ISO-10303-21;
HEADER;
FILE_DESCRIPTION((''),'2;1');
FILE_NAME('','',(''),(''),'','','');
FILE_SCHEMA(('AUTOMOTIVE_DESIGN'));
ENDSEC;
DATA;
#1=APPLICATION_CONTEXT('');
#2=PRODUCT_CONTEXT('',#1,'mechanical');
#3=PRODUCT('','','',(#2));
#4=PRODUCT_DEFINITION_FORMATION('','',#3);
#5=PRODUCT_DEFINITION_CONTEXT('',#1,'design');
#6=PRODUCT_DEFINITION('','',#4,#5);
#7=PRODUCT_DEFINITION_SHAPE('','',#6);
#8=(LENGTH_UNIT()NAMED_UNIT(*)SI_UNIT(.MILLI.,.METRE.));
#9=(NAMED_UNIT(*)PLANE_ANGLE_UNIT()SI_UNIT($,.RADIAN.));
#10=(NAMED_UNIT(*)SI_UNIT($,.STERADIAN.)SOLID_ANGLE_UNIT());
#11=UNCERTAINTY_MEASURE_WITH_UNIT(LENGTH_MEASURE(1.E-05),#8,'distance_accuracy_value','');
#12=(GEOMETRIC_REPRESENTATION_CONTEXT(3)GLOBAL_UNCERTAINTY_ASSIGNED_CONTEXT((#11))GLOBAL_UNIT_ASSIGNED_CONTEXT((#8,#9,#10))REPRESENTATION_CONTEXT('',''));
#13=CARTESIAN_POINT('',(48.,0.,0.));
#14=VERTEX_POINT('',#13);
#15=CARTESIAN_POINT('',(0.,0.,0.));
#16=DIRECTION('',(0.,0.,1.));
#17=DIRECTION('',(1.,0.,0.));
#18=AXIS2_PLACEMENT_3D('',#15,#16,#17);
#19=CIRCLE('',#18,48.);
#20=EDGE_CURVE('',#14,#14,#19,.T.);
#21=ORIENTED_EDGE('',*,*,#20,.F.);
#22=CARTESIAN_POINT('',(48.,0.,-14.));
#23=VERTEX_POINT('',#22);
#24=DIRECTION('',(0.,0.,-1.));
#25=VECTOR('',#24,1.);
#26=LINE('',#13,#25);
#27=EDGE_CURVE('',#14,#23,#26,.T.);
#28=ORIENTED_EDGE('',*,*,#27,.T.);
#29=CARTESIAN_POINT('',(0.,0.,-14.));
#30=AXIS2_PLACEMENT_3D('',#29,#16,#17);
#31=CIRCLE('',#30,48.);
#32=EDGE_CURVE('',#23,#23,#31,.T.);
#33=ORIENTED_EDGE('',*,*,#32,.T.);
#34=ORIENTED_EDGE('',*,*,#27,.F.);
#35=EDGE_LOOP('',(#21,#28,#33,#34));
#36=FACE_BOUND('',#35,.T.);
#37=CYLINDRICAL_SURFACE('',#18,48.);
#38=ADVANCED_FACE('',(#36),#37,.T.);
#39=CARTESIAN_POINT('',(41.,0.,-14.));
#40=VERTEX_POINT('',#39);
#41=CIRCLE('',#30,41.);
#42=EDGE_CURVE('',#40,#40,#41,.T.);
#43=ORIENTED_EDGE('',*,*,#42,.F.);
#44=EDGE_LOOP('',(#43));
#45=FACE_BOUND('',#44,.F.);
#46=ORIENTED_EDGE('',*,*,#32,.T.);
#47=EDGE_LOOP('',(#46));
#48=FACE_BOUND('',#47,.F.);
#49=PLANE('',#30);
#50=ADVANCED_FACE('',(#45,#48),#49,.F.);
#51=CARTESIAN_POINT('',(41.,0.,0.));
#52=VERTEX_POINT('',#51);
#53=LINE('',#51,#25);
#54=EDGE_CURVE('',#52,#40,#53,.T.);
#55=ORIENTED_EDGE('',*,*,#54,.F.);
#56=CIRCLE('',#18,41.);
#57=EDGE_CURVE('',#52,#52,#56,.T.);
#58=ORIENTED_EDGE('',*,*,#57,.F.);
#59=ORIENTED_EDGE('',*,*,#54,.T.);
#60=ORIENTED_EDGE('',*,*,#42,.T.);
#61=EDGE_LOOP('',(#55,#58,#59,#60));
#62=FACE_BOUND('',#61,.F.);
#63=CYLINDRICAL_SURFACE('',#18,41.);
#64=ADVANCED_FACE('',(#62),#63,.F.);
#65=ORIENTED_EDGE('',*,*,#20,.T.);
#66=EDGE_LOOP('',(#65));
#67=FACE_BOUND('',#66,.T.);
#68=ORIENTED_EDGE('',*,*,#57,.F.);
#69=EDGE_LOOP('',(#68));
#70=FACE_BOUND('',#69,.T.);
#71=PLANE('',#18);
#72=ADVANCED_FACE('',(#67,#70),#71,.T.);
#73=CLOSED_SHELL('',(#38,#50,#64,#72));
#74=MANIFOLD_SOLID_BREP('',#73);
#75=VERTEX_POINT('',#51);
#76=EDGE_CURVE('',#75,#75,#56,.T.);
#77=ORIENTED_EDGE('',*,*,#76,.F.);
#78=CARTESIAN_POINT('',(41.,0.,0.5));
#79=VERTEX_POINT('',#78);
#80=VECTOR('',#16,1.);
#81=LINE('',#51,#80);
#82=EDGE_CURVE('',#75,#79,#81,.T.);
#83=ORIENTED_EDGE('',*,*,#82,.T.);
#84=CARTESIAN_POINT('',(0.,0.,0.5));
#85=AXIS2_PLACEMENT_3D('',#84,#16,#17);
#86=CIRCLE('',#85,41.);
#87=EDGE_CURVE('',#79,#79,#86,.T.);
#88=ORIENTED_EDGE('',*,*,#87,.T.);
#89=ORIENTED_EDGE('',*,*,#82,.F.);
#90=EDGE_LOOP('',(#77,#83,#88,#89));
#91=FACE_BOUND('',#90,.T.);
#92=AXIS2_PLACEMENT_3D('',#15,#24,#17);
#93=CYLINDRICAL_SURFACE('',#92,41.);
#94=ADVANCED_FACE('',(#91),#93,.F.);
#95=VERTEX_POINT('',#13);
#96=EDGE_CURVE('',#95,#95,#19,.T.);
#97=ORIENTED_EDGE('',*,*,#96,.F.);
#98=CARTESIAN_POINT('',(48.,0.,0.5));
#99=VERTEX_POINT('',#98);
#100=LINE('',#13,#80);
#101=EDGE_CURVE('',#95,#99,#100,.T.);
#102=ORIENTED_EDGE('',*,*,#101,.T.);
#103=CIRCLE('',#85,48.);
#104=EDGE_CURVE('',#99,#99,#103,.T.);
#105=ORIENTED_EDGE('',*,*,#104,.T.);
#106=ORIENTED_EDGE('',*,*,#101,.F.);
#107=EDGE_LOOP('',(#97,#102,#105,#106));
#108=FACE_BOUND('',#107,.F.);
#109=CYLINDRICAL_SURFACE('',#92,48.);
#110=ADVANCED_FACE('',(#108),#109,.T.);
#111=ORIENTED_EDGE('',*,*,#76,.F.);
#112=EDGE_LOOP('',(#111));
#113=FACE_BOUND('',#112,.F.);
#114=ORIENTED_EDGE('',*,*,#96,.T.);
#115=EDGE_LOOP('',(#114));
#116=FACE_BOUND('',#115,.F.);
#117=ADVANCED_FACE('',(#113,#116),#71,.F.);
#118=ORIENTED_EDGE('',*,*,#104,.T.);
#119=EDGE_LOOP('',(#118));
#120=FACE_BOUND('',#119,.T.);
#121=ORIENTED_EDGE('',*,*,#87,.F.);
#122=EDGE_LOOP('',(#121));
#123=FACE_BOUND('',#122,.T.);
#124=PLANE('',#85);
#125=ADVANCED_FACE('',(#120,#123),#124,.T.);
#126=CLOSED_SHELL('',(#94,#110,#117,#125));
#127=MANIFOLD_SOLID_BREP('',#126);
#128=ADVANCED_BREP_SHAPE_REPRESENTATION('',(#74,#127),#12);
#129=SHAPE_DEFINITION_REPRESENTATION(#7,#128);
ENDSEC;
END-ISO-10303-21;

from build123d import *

# Parameters (mm, degrees)
F0_R        = 48
F0_R_2      = 41
F1_DEPTH    = 14
F1_FACE_R   = 48
F1_FACE_R_2 = 41
F2_DEPTH    = 0.5


with BuildPart() as f1:
    # F0 (on Top) → F1 (new body)
    with BuildSketch(Plane.XY):
        Circle(F0_R)
        Circle(F0_R_2, mode=Mode.SUBTRACT)
    extrude(amount=-F1_DEPTH)


with BuildPart() as f2:
    # F1_face (on face) → F2 (new body)
    with BuildSketch(Plane.XY):
        Circle(F1_FACE_R)
        Circle(F1_FACE_R_2, mode=Mode.SUBTRACT)
    extrude(amount=F2_DEPTH)


solid = Compound([f1.part, f2.part])
